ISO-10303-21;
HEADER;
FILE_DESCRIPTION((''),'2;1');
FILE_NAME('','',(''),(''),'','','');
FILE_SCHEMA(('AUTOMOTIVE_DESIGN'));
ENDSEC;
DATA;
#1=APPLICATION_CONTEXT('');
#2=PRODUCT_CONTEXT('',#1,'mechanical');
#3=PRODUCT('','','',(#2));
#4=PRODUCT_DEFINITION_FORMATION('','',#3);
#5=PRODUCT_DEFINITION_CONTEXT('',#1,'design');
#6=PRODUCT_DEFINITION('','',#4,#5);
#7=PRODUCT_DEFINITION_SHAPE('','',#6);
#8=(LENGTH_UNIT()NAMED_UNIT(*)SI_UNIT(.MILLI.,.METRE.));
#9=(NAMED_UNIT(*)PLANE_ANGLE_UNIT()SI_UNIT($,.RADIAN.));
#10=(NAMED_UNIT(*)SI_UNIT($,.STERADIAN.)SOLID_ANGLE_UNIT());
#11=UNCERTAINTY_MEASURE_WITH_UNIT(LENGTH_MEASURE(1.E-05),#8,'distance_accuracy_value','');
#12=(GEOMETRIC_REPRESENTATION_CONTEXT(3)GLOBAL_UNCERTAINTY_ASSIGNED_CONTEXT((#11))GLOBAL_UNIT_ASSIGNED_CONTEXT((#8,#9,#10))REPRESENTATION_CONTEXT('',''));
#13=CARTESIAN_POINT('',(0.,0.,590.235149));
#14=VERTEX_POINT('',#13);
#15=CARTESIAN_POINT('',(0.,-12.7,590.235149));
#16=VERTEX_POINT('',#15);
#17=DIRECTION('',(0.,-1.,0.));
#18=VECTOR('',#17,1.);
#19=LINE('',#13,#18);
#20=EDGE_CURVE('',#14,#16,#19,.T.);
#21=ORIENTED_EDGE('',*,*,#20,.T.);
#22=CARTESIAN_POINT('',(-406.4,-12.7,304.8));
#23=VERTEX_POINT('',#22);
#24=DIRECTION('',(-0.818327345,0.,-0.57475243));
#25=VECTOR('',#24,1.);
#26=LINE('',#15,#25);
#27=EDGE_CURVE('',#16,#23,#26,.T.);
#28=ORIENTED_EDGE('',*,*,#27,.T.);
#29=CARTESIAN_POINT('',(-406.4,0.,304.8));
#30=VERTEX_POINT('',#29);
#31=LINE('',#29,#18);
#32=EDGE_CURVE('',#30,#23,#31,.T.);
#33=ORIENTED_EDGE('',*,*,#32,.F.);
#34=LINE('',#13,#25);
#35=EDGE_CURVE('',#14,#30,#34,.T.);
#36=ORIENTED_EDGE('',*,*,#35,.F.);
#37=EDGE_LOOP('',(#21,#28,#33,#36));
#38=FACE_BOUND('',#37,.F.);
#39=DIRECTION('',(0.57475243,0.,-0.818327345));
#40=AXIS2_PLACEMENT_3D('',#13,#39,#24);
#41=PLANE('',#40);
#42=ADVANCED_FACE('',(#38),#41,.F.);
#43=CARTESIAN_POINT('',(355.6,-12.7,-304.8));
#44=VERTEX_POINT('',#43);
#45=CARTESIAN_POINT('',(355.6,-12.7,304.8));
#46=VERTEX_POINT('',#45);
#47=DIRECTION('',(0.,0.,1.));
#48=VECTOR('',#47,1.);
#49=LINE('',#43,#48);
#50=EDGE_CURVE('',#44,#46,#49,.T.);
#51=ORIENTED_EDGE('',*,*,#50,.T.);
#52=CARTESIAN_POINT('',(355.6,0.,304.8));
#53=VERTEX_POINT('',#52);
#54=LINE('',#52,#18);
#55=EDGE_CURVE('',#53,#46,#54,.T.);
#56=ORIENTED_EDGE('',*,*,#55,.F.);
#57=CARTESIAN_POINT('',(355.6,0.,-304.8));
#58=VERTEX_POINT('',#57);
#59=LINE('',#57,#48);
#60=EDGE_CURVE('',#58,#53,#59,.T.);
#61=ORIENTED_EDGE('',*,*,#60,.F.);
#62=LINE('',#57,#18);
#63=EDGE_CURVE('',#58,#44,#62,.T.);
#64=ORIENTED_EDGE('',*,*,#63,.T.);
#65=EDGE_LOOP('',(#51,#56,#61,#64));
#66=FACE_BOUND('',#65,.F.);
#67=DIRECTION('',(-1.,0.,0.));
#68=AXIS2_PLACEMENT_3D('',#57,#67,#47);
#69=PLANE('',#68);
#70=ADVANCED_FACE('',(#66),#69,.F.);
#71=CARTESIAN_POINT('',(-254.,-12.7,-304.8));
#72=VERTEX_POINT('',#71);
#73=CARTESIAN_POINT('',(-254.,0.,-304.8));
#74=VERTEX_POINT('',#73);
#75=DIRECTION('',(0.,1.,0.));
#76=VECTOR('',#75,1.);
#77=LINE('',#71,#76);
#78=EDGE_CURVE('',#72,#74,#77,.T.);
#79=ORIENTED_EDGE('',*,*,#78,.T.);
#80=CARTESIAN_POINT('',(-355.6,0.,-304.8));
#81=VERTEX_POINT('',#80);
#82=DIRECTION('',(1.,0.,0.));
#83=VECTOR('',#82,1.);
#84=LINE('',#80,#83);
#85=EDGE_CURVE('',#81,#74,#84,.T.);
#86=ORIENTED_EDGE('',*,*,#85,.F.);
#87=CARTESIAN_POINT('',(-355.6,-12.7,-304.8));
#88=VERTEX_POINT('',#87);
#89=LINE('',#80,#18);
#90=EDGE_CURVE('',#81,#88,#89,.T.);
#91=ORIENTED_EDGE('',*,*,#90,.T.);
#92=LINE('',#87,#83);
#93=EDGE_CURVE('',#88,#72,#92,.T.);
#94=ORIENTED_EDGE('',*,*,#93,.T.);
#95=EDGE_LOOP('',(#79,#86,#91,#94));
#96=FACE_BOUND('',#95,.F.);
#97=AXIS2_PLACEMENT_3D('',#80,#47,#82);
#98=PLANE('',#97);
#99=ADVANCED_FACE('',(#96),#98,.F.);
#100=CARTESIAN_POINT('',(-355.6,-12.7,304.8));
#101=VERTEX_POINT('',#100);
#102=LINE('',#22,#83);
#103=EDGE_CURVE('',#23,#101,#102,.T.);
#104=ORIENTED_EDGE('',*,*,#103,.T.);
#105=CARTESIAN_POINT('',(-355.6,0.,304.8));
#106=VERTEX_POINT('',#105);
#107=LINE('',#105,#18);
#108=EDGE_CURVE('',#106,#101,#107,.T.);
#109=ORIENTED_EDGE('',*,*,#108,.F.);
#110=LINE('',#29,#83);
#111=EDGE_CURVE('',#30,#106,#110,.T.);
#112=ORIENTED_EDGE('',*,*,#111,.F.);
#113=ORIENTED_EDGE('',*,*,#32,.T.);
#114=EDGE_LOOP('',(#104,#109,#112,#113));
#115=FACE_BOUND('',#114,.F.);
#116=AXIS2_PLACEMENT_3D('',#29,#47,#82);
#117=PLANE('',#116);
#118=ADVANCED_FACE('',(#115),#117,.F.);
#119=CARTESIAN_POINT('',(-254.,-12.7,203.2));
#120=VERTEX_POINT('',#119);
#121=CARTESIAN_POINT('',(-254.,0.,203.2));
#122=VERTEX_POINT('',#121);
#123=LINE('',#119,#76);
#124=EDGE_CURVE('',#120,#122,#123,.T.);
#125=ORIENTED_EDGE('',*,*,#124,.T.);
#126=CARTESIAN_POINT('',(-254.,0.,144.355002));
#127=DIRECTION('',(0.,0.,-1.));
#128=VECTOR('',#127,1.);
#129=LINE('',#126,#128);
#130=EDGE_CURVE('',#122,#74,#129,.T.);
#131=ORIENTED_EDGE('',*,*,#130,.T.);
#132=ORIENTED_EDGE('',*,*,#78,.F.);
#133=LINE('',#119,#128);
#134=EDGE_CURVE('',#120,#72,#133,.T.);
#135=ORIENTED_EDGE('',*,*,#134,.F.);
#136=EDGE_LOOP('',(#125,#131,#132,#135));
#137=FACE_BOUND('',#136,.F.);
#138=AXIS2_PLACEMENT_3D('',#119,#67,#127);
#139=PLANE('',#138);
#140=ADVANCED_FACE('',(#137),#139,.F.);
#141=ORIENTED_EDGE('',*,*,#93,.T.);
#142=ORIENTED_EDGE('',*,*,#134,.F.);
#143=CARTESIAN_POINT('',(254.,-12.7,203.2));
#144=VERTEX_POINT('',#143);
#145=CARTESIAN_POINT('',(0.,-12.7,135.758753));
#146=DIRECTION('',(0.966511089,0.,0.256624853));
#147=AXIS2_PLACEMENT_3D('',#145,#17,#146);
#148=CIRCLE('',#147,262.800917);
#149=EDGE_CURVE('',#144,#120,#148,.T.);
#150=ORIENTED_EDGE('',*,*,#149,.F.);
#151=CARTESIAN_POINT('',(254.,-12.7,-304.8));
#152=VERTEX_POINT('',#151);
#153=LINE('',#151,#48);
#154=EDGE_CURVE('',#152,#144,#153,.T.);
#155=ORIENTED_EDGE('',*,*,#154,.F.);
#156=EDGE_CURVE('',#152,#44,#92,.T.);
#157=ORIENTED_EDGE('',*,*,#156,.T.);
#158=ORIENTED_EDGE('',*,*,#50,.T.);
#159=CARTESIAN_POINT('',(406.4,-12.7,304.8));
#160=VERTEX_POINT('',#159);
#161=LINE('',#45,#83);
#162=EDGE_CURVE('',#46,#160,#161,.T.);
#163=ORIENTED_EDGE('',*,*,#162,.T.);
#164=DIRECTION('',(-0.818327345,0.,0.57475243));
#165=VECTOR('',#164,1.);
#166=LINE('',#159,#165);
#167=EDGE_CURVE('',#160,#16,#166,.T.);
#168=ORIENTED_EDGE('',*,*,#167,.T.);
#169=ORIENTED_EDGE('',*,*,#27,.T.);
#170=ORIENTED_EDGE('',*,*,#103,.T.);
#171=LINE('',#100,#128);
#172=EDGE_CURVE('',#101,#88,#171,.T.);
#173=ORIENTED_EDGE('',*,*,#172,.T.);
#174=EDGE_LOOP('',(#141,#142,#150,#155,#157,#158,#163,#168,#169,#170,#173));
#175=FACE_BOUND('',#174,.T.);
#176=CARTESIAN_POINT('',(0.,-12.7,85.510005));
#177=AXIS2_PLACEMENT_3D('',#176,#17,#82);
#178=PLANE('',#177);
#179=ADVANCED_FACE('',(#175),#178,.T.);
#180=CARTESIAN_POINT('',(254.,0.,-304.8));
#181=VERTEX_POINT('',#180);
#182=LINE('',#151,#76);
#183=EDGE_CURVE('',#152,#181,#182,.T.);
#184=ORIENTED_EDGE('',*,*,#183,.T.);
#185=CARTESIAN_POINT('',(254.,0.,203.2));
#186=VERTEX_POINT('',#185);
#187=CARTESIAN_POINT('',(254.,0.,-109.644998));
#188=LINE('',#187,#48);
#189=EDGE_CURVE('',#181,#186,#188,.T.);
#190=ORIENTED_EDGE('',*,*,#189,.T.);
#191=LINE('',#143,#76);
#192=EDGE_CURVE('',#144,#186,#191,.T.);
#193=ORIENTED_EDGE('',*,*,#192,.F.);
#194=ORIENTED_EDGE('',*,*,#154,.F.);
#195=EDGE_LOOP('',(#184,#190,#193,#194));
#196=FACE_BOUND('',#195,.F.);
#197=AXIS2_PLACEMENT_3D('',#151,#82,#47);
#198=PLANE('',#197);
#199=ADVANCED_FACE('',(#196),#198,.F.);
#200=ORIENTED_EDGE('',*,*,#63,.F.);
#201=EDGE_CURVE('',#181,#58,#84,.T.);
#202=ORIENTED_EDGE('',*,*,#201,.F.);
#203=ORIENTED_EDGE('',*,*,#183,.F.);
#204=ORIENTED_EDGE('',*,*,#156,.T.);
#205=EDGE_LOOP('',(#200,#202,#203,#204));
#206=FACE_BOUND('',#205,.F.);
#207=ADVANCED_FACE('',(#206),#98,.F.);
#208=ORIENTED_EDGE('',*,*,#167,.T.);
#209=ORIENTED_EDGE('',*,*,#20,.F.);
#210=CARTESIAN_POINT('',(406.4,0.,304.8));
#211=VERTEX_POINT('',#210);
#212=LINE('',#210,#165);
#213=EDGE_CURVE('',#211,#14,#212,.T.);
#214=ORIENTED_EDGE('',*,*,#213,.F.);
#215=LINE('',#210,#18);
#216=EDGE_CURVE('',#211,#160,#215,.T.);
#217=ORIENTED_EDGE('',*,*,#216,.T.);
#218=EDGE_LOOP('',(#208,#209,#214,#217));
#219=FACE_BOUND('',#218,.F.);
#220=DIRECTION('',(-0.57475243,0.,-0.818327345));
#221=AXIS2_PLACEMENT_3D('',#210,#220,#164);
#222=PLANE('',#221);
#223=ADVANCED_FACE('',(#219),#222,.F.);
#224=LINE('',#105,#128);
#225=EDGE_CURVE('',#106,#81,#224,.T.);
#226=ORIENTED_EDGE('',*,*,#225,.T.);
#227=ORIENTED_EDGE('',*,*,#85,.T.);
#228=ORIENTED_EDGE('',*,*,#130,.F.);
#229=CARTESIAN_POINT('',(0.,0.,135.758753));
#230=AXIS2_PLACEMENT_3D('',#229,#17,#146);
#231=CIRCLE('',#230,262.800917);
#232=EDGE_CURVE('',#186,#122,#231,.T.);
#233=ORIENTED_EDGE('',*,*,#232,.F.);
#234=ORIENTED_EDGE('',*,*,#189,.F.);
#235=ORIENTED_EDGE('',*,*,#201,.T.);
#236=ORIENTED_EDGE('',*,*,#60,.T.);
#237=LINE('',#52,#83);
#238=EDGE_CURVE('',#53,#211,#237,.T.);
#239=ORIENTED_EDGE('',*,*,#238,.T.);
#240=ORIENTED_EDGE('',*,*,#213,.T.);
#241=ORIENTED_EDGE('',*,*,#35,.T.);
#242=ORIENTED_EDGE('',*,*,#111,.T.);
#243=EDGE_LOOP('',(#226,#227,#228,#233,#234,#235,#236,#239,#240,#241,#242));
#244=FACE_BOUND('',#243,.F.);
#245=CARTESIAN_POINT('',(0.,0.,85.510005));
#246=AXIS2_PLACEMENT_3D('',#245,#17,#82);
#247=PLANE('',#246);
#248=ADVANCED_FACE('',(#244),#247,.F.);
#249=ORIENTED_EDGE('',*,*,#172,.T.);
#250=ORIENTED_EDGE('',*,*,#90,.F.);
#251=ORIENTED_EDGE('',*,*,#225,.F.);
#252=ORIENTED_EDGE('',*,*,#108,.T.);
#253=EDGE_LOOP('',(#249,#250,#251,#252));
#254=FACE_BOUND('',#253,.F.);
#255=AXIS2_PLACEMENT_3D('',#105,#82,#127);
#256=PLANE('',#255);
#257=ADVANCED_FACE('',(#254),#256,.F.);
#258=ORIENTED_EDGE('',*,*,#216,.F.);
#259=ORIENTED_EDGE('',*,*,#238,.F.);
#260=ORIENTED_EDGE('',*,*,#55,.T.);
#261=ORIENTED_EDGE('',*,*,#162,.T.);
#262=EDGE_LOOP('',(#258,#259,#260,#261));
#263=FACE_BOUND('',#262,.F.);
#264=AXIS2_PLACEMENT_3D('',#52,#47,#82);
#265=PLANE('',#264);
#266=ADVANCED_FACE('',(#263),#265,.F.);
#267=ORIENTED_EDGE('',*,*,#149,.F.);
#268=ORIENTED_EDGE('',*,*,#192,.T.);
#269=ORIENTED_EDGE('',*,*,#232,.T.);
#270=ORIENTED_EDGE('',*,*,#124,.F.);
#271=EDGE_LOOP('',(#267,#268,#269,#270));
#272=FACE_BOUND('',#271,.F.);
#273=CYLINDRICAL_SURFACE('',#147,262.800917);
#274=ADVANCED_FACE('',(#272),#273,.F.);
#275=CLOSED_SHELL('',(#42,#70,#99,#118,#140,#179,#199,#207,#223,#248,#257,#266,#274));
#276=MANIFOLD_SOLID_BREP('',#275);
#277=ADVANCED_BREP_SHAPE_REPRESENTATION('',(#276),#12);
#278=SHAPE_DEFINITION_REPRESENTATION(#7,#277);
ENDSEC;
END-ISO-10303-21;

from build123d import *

# Parameters (mm, degrees)
F1_DEPTH = 12.7
F3_DEPTH = 25.4


with BuildPart() as f1:
    # F0 (on Front) → F1 (new body)
    with BuildSketch(Plane.XZ):
        Polygon((-355.6, 304.8), (-355.6, -304.8), (355.6, -304.8), (355.6, 304.8), (406.4, 304.8), (0, 590.235149), (-406.4, 304.8), align=None)
    extrude(amount=F1_DEPTH)

    # F2 (on face) → F3 (cut)
    with BuildSketch(Plane.XZ.offset(12.7)):
        with BuildLine():
            Line((-254, 203.2), (-254, -304.8))
            Line((-254, -304.8), (254, -304.8))
            Line((254, -304.8), (254, 203.2))
            ThreePointArc((254, 203.2), (0, 398.55967), (-254, 203.2))
        make_face()
    extrude(amount=-F3_DEPTH, mode=Mode.SUBTRACT)


solid = f1.part
